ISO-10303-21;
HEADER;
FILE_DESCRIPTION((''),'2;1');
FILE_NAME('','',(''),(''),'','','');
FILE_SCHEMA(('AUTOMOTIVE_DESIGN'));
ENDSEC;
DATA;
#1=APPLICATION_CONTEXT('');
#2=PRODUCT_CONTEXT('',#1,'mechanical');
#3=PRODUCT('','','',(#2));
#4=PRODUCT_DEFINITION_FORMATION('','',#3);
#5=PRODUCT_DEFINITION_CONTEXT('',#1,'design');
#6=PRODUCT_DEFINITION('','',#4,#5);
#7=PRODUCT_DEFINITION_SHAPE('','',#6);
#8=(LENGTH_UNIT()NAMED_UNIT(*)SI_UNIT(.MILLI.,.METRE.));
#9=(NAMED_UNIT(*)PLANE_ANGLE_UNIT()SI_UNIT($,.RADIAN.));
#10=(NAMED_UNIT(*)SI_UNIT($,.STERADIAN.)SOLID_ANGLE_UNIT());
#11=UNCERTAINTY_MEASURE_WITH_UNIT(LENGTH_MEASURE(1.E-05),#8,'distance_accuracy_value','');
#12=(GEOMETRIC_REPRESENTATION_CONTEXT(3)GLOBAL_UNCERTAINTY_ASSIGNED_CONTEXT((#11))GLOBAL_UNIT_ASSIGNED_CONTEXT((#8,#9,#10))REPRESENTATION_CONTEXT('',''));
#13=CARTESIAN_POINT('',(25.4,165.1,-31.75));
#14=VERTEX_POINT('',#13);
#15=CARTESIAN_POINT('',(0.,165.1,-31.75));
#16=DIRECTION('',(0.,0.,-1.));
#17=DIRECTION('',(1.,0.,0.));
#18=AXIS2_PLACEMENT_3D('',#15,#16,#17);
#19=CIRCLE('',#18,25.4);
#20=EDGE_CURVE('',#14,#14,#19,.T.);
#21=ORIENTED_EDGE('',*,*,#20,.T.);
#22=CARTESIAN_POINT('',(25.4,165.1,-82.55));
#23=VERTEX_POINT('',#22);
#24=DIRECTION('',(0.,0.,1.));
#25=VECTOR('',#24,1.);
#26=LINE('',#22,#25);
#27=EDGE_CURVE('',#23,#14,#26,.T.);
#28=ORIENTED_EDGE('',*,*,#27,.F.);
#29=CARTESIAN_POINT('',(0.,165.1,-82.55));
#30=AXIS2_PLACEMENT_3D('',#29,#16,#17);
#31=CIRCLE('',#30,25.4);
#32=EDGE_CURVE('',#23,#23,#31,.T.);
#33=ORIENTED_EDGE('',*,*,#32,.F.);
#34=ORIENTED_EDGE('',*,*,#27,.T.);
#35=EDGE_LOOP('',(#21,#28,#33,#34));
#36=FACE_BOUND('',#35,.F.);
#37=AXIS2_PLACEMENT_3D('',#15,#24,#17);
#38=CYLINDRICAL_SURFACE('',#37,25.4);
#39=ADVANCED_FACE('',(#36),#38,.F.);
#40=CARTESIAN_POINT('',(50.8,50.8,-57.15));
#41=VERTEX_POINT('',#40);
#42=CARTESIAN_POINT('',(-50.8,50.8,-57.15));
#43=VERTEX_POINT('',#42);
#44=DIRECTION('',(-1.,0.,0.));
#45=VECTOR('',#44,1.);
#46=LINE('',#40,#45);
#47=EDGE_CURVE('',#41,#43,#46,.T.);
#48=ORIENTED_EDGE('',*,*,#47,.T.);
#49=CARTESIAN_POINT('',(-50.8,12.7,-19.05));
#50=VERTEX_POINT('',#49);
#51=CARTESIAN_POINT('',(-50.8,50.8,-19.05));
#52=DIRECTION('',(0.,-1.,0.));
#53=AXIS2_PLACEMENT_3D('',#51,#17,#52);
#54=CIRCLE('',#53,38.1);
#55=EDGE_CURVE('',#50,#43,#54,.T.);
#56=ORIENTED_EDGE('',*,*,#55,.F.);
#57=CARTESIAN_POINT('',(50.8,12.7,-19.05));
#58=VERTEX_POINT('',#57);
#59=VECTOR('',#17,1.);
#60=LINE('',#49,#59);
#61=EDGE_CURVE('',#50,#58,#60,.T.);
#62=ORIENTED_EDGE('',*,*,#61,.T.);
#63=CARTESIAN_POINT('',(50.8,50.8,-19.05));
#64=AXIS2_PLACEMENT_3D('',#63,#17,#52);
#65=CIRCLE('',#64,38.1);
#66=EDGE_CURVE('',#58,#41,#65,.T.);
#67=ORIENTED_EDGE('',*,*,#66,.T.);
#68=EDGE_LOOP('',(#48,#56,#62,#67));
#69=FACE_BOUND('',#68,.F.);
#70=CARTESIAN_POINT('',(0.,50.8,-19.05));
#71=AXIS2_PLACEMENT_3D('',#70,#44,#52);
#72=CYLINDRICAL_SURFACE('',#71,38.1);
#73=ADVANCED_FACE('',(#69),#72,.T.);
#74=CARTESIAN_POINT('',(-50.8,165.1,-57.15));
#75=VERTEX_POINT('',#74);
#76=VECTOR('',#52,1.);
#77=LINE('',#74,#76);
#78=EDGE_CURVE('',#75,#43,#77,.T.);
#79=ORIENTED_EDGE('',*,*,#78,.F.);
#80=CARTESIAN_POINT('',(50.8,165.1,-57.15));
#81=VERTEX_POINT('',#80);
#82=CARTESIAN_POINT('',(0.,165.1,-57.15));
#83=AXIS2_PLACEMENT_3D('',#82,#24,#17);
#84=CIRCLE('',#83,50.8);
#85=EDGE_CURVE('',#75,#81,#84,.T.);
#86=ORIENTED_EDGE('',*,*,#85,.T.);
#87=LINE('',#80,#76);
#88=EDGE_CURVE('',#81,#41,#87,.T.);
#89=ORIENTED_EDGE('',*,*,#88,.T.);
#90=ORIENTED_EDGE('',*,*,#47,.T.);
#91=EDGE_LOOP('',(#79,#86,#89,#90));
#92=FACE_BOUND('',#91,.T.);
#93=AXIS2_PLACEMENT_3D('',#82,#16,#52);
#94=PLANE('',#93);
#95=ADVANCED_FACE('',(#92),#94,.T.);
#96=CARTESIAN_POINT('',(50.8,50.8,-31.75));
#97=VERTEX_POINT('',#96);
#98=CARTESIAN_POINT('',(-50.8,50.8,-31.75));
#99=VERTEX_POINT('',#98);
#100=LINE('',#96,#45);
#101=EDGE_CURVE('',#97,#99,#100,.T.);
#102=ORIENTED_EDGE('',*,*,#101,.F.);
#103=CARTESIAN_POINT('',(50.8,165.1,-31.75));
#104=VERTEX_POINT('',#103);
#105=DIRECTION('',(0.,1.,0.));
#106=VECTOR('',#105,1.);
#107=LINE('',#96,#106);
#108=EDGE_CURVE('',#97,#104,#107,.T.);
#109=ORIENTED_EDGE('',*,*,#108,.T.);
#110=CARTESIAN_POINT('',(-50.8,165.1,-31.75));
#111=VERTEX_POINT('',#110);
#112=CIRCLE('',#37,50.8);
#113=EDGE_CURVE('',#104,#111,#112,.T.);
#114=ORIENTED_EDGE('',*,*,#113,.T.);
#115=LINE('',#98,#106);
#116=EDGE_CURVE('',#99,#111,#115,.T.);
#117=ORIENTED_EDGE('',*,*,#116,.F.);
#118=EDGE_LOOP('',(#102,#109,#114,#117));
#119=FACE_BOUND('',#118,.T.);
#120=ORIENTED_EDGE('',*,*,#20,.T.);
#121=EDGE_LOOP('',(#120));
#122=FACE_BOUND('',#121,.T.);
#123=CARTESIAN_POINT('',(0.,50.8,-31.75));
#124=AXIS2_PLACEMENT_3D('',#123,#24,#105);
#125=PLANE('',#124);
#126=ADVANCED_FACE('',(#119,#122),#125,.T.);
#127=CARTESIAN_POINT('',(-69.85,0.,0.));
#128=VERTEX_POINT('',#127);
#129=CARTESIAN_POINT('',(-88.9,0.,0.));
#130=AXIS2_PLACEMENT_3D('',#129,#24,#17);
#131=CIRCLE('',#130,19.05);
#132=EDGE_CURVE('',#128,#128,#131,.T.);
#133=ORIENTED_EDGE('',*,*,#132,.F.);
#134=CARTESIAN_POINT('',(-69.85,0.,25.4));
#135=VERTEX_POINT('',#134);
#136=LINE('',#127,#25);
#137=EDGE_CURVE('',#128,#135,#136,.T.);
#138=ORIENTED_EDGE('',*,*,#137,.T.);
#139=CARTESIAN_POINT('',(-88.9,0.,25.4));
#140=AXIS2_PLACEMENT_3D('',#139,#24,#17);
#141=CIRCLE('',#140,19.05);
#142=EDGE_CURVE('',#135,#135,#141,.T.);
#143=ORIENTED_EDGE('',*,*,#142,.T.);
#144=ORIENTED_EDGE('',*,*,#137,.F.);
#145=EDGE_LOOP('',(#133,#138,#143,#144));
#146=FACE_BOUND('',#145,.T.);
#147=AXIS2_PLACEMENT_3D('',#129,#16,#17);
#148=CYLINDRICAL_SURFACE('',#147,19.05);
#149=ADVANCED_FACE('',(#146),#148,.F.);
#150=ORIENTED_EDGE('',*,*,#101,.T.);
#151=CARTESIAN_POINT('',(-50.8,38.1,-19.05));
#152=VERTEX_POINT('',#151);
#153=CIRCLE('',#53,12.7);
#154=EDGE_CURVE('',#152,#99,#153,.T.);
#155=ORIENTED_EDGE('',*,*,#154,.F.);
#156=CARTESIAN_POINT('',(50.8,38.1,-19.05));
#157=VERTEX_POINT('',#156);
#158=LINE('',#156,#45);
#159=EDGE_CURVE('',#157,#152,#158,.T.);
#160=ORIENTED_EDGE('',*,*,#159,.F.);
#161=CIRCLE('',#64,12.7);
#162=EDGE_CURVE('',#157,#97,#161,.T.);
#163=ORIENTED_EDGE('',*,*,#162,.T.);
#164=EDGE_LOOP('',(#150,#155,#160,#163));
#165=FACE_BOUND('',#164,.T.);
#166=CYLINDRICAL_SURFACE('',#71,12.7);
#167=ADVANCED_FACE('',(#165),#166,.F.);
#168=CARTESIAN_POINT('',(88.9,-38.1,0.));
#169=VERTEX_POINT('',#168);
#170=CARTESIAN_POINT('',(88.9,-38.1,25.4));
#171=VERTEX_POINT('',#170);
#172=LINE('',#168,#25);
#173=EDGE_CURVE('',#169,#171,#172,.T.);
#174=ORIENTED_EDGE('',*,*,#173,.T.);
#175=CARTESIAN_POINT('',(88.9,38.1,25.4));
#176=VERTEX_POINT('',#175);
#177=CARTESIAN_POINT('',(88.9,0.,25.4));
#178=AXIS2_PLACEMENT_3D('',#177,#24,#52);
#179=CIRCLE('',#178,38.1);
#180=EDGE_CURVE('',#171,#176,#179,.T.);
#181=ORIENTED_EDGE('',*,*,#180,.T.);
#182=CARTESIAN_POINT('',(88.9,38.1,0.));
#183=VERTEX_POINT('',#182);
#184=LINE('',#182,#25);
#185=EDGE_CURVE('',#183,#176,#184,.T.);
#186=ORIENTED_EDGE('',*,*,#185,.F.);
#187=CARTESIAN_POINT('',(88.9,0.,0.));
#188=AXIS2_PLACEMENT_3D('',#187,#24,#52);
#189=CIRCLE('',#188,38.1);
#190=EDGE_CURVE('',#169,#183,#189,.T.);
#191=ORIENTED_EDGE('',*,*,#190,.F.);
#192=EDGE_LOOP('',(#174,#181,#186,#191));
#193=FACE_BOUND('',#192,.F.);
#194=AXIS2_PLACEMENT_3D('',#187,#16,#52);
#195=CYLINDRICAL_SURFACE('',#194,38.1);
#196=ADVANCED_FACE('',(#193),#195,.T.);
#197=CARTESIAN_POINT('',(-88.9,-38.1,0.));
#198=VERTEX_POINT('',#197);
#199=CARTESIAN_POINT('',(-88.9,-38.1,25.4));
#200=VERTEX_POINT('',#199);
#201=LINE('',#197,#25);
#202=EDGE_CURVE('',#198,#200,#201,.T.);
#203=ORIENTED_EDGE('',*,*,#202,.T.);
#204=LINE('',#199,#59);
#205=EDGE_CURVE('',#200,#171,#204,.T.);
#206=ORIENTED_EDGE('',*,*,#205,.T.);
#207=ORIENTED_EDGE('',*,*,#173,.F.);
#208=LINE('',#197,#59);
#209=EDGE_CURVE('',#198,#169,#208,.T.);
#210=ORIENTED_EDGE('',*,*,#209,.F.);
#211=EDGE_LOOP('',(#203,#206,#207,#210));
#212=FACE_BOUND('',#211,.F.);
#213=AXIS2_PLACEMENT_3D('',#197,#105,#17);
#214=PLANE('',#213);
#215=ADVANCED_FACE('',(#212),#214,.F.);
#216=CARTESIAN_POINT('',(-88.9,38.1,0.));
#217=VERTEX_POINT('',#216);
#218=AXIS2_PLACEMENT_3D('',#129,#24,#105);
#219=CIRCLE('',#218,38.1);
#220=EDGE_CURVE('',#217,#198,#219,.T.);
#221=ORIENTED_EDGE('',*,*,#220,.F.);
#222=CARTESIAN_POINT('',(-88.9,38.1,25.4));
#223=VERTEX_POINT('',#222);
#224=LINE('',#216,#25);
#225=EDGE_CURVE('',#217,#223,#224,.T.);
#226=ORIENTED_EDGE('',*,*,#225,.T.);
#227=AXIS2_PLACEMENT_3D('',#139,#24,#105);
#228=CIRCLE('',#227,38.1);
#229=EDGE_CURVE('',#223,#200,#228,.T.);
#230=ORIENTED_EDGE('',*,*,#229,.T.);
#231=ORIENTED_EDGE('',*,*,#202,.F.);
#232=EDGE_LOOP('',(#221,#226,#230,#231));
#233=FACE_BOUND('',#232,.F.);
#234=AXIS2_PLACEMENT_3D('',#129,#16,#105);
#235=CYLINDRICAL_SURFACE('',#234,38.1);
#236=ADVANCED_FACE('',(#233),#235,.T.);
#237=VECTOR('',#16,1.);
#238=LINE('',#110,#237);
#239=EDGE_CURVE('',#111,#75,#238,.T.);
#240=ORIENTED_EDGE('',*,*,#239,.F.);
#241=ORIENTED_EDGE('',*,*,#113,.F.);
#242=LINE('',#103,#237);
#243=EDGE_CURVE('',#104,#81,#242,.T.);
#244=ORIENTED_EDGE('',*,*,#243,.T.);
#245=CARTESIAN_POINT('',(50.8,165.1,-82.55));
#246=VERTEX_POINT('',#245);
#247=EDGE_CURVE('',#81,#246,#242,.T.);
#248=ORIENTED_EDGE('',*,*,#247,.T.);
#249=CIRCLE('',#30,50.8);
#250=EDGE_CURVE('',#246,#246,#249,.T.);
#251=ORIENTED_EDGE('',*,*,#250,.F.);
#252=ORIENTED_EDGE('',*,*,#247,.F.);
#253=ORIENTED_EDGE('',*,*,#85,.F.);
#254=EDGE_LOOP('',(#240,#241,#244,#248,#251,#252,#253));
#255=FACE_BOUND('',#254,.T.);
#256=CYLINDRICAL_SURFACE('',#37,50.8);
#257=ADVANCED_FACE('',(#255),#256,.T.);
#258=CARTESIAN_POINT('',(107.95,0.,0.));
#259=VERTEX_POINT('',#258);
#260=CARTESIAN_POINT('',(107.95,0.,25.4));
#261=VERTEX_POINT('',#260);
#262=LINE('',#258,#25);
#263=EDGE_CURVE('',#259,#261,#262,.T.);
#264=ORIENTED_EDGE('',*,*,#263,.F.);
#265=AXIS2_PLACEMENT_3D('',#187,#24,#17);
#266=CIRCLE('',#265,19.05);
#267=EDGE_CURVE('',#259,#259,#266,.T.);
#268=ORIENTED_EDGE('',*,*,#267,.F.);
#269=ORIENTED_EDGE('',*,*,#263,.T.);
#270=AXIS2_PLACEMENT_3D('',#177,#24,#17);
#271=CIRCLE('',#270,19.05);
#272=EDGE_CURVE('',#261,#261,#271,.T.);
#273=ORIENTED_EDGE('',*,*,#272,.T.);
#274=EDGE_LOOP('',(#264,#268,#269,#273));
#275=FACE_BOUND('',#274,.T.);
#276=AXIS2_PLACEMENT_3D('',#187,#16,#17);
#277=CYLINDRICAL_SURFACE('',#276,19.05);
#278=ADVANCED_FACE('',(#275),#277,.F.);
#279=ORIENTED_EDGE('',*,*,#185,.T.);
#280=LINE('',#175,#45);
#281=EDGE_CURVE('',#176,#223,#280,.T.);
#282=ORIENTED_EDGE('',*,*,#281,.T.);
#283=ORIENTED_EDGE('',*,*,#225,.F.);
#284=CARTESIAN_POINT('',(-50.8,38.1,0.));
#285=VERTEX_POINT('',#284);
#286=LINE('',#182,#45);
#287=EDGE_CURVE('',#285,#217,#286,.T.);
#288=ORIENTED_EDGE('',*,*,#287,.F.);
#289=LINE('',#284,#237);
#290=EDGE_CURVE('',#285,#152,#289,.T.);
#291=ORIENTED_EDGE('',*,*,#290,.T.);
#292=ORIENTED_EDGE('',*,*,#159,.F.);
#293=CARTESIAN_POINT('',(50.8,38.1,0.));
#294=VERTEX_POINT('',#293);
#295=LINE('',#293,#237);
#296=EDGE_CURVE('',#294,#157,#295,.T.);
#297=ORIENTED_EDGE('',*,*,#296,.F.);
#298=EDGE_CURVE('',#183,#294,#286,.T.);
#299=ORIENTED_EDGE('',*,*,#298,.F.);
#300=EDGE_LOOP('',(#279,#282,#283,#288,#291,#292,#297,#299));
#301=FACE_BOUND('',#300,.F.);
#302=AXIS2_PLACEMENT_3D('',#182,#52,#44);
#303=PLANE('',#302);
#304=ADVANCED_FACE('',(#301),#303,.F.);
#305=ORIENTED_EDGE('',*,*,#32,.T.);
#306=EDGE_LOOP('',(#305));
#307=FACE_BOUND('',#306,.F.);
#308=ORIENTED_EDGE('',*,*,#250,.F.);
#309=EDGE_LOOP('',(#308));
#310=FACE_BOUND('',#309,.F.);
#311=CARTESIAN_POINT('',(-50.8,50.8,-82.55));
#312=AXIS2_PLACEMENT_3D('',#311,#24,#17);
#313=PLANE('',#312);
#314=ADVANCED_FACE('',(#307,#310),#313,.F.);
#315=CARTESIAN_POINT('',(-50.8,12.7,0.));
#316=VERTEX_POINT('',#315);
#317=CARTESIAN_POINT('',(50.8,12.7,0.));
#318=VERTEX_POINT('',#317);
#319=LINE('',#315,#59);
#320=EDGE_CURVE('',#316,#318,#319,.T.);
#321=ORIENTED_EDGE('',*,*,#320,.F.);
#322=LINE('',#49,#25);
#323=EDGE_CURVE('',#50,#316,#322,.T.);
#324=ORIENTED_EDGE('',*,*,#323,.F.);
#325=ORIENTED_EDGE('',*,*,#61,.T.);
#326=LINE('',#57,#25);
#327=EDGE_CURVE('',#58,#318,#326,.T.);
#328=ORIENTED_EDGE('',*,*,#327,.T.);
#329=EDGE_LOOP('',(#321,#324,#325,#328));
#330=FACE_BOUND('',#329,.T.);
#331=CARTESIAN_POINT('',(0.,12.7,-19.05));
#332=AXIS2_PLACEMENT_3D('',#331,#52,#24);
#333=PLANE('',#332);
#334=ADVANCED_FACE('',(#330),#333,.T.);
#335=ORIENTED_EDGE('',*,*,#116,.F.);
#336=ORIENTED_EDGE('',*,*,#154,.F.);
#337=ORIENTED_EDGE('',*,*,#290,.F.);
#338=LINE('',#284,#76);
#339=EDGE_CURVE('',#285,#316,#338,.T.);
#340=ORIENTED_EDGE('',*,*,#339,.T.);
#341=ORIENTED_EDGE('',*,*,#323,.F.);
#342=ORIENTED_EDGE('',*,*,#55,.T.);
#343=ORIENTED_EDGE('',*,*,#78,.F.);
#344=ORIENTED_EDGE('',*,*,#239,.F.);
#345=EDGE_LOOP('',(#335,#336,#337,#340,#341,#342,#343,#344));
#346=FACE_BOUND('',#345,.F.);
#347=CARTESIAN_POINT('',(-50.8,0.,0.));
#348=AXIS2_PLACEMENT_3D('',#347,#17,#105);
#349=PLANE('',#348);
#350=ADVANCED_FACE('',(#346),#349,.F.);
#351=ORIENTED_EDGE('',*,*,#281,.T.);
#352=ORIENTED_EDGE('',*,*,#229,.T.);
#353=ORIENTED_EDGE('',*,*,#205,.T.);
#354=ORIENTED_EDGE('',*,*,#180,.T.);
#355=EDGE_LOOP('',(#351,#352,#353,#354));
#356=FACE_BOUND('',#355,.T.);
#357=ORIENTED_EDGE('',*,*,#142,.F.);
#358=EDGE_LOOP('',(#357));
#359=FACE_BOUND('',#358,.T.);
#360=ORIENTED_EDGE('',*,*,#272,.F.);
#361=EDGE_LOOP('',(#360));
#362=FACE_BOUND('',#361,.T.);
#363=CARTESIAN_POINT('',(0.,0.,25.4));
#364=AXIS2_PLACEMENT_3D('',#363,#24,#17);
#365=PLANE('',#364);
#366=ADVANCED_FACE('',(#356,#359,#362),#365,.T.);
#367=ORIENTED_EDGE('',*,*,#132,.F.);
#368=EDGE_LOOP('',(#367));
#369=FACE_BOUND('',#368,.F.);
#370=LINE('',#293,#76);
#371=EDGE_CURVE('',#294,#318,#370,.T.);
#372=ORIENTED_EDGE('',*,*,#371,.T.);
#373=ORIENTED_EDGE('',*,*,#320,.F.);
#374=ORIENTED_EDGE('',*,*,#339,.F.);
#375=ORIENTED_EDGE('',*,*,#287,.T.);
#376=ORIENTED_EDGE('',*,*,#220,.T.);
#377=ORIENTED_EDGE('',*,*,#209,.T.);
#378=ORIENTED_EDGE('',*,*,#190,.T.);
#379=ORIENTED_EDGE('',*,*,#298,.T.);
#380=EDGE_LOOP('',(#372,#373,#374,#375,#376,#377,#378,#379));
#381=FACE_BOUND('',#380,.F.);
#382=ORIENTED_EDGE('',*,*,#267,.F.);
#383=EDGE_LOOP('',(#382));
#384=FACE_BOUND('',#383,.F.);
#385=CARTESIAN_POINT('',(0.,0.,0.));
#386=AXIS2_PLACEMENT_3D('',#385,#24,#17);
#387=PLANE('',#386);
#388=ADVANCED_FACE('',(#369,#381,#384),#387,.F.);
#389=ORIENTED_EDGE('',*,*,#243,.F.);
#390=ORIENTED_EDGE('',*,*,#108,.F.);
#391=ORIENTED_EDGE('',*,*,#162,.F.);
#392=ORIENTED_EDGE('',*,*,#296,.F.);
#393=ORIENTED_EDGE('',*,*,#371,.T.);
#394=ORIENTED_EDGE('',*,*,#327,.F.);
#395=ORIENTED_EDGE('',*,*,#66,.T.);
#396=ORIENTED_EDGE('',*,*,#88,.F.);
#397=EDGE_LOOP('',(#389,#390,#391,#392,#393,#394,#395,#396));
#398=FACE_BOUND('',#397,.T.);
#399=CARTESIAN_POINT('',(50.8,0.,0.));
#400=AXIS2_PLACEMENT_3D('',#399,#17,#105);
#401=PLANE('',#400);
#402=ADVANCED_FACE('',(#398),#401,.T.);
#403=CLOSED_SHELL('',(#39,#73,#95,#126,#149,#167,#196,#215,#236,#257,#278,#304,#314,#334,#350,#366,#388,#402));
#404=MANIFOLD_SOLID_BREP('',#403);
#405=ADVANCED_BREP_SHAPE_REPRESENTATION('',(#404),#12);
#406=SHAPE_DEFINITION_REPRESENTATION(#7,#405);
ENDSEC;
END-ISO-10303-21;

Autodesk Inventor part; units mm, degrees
ref_plane "YZ Plane" through (0, 0, 0) normal (1, 0, 0) x (0, 1, 0)
ref_plane "XZ Plane" through (0, 0, 0) normal (0, 1, 0) x (-1, 0, 0)
ref_plane "XY Plane" through (0, 0, 0) normal (0, 0, 1) x (1, 0, 0)
sketch "SLOT SK" plane through (0, 0, 0) normal (0, 0, 1) x (1, 0, 0)
  line L0 (-88.9, 0) -> (88.9, 0) construction
  line L1 (-88.9, -38.1) -> (88.9, -38.1)
  line L2 (88.9, 38.1) -> (-88.9, 38.1)
  arc A0 (-88.9, 38.1) -> (-88.9, -38.1) centre (-88.9, 0) ccw
  arc A1 (88.9, -38.1) -> (88.9, 38.1) centre (88.9, 0) ccw
  circle A2 centre (-88.9, 0) radius 19.05
  circle A3 centre (88.9, 0) radius 19.05
  point P0 (0, 0)
  point P1 (0, 0)
  dimension "d0" = 177.8
  dimension "d1" = 88.9
  dimension "d2" = 38.1
  dimension "d3" = 38.1
  dimension "d4" = 38.1
extrude "SLOT EXT" add sketch "SLOT SK" along normal blind 25.4
sketch "Sketch2" plane through (0, 0, 0) normal (1, 0, 0) x (0, 1, 0)
  line L0 (38.1, 0) -> (-38.1, 0) projected
  line L1 (12.7, 0) -> (38.1, 0)
  line L2 (38.1, 0) -> (38.1, -19.05)
  line L3 (50.8, -31.75) -> (165.1, -31.75)
  line L4 (165.1, -31.75) -> (165.1, -57.15)
  line L5 (165.1, -57.15) -> (50.8, -57.15)
  line L6 (12.7, -19.05) -> (12.7, 0)
  arc A0 (38.1, -19.05) -> (50.8, -31.75) centre (50.8, -19.05) ccw
  arc A1 (12.7, -19.05) -> (50.8, -57.15) centre (50.8, -19.05) ccw
  line L7 (38.1, 0) -> (38.1, 25.4) projected
  line L8 (38.1, 25.4) -> (-38.1, 25.4) projected
  point P0 (0, 0)
  dimension "d7" = 12.7
  dimension "d8" = 38.1
  dimension "d9" = 127
  dimension "d10" = 57.15
  dimension "d11" = 25.4
  dimension "d12" = 25.4
extrude "J JOINT" add sketch "Sketch2" along normal mid plane 101.6
sketch "TOP JOINT" plane through (-50.8, 50.8, -31.75) normal (0, 0, 1) x (1, 0, 0)
  line L0 (0, 114.3) -> (101.6, 114.3) projected
  line L1 (101.6, 0) -> (101.6, 114.3) projected
  circle A0 centre (50.8, 114.3) radius 50.8
  circle A1 centre (50.8, 114.3) radius 25.4
  point P0 (50.8, -50.8)
  point P1 (76.2, 114.3)
  point P2 (25.4, 114.3)
  dimension "d15" = 50.8
extrude "TOP CYLINDER" add sketch "TOP JOINT" against normal blind 50.8 contours A1 L0 A0 | L0 A0 A1
extrude "TOP HOLE" cut sketch "TOP JOINT" against normal blind 101.6 contours A1 L0 picked at (54.5078, 94.9925)
equation "\"d1\" = 0.5 * d0"
equation "\"d4\" = d3"
properties part number "ASN5-6-BK" material "Thermoplastic Resin"
